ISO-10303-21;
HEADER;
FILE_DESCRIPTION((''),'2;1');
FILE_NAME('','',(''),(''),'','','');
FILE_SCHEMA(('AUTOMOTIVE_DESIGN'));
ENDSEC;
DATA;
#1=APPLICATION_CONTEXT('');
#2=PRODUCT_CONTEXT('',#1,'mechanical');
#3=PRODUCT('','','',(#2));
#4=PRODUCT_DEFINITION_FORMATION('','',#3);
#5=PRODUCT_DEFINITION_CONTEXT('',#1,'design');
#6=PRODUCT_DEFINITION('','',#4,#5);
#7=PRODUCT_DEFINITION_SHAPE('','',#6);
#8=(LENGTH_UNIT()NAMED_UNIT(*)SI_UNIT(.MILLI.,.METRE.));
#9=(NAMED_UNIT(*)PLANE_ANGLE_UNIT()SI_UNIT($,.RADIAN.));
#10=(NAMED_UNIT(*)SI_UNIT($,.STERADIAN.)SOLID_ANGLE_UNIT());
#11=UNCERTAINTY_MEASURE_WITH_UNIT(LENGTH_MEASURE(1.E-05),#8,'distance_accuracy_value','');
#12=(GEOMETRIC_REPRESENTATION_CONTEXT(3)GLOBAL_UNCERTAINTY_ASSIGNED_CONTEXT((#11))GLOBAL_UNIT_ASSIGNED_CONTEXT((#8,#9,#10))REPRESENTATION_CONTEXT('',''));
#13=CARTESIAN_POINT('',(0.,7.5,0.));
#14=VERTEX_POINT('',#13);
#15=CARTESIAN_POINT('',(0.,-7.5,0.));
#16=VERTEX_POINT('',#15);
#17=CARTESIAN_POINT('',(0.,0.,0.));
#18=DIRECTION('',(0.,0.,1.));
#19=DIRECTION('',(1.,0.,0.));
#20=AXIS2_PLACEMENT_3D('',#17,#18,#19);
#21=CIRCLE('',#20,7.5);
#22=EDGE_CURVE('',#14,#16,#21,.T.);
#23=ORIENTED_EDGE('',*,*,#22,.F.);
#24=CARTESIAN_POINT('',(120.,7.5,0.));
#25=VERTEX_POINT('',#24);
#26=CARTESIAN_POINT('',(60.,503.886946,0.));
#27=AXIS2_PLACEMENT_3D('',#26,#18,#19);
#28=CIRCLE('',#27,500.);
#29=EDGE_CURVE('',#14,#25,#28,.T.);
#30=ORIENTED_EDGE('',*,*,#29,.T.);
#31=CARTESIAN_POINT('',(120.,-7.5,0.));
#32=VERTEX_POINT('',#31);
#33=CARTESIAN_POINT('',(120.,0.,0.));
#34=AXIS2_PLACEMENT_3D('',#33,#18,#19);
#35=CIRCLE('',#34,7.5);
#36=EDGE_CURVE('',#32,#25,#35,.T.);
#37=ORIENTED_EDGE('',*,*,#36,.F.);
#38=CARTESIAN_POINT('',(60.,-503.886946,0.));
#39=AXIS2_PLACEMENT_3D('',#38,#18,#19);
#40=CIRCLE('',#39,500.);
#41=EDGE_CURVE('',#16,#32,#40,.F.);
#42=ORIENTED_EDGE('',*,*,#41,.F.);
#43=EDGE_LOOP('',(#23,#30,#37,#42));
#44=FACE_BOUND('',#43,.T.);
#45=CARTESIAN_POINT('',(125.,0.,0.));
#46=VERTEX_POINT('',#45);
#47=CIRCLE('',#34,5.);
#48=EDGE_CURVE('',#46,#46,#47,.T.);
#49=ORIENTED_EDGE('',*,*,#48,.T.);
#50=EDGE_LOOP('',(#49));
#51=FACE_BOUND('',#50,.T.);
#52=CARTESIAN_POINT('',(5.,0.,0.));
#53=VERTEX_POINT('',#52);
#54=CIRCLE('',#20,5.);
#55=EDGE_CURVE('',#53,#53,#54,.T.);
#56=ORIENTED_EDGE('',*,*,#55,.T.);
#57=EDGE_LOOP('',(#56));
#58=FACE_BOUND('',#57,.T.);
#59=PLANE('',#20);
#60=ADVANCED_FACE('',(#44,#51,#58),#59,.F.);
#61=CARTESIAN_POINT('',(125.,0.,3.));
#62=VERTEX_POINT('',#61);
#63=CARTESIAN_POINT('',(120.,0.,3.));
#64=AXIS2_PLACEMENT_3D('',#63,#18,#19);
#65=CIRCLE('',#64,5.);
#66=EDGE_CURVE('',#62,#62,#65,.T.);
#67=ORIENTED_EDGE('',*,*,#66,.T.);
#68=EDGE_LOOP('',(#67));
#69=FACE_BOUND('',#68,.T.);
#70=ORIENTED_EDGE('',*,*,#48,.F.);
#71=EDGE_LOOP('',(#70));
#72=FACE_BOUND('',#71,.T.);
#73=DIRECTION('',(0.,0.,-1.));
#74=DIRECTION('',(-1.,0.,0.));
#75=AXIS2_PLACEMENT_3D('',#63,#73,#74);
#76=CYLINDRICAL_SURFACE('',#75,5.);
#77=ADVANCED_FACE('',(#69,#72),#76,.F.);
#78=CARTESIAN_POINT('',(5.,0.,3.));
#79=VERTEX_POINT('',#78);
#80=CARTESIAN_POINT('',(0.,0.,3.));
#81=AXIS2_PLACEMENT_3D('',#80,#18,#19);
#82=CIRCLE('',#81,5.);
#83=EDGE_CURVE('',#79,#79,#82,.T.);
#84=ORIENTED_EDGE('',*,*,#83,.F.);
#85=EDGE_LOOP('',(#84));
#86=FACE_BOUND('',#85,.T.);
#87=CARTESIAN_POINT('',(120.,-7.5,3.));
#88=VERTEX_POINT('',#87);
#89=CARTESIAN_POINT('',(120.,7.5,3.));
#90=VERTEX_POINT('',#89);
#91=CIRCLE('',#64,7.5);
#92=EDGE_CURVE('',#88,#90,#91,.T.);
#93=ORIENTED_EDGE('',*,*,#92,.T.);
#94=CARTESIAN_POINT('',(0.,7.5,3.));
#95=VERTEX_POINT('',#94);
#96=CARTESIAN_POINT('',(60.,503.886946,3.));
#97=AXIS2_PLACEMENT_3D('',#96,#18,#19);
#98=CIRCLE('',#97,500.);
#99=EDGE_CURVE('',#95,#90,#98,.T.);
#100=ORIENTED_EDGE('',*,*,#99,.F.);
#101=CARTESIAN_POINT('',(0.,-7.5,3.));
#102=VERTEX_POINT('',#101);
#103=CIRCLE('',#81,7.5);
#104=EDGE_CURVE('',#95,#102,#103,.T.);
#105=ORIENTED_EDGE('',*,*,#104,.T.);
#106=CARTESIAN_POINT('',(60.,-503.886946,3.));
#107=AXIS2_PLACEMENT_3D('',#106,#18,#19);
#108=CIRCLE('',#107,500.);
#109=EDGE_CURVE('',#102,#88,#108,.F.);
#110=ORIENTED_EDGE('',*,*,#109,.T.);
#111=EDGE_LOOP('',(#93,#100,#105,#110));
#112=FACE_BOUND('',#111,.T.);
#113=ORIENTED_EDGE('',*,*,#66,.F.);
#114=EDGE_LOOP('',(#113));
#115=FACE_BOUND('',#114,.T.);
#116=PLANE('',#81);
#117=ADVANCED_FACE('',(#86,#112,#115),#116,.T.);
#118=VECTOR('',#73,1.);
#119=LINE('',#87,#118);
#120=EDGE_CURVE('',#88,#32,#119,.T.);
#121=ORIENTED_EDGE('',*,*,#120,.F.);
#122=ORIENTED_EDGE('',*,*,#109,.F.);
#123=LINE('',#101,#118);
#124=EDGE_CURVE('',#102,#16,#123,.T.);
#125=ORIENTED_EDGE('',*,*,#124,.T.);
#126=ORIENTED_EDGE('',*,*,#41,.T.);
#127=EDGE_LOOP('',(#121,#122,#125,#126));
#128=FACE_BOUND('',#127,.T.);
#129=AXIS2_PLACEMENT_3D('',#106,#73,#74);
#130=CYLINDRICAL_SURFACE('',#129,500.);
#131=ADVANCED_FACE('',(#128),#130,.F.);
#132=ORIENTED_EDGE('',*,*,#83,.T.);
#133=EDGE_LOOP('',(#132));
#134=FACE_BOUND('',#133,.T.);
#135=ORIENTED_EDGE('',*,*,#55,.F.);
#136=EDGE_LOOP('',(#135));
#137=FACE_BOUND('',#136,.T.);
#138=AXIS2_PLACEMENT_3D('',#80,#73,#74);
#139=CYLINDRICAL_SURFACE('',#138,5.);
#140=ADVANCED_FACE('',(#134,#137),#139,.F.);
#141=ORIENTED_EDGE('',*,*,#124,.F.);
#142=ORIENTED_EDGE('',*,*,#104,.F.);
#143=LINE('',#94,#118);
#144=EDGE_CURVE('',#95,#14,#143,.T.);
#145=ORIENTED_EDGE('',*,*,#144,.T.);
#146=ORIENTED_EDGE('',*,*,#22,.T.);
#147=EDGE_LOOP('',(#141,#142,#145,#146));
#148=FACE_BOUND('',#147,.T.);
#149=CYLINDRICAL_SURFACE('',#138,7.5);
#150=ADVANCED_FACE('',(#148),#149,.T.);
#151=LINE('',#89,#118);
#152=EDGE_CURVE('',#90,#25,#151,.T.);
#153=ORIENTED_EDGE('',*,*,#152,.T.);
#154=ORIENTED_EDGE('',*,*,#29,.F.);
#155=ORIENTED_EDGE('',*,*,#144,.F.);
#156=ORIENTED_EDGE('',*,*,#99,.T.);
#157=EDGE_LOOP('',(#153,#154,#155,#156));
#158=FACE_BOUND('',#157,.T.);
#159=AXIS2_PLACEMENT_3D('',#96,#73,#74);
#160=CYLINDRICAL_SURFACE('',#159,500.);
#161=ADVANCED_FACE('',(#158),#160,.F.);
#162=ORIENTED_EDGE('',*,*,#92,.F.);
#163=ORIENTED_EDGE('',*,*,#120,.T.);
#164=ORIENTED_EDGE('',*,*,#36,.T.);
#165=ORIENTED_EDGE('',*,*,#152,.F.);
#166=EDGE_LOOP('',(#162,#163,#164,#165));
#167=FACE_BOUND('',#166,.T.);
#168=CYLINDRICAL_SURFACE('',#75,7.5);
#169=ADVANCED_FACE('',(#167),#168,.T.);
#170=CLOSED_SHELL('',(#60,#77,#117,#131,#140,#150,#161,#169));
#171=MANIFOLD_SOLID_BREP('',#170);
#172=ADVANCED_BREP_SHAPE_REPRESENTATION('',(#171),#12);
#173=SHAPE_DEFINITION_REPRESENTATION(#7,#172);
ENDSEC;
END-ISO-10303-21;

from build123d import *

# Parameters (mm, degrees)
SKETCH1_R           = 5
BOSS_EXTRUDE1_DEPTH = 3


with BuildPart() as part:
    # Sketch1 → Boss-Extrude1 (new body)
    with BuildSketch(Plane.XY):
        with BuildLine():
            ThreePointArc((0, 7.5), (-7.5, 0), (0, -7.5))
            ThreePointArc((0, -7.5), (60, -3.88694584), (120, -7.5))
            ThreePointArc((120, -7.5), (127.5, 0), (120, 7.5))
            ThreePointArc((120, 7.5), (60, 3.88694584), (0, 7.5))
        make_face()
        Circle(SKETCH1_R, mode=Mode.SUBTRACT)
        with Locations((120, 0)):
            Circle(SKETCH1_R, mode=Mode.SUBTRACT)
    extrude(amount=BOSS_EXTRUDE1_DEPTH)


solid = part.part
